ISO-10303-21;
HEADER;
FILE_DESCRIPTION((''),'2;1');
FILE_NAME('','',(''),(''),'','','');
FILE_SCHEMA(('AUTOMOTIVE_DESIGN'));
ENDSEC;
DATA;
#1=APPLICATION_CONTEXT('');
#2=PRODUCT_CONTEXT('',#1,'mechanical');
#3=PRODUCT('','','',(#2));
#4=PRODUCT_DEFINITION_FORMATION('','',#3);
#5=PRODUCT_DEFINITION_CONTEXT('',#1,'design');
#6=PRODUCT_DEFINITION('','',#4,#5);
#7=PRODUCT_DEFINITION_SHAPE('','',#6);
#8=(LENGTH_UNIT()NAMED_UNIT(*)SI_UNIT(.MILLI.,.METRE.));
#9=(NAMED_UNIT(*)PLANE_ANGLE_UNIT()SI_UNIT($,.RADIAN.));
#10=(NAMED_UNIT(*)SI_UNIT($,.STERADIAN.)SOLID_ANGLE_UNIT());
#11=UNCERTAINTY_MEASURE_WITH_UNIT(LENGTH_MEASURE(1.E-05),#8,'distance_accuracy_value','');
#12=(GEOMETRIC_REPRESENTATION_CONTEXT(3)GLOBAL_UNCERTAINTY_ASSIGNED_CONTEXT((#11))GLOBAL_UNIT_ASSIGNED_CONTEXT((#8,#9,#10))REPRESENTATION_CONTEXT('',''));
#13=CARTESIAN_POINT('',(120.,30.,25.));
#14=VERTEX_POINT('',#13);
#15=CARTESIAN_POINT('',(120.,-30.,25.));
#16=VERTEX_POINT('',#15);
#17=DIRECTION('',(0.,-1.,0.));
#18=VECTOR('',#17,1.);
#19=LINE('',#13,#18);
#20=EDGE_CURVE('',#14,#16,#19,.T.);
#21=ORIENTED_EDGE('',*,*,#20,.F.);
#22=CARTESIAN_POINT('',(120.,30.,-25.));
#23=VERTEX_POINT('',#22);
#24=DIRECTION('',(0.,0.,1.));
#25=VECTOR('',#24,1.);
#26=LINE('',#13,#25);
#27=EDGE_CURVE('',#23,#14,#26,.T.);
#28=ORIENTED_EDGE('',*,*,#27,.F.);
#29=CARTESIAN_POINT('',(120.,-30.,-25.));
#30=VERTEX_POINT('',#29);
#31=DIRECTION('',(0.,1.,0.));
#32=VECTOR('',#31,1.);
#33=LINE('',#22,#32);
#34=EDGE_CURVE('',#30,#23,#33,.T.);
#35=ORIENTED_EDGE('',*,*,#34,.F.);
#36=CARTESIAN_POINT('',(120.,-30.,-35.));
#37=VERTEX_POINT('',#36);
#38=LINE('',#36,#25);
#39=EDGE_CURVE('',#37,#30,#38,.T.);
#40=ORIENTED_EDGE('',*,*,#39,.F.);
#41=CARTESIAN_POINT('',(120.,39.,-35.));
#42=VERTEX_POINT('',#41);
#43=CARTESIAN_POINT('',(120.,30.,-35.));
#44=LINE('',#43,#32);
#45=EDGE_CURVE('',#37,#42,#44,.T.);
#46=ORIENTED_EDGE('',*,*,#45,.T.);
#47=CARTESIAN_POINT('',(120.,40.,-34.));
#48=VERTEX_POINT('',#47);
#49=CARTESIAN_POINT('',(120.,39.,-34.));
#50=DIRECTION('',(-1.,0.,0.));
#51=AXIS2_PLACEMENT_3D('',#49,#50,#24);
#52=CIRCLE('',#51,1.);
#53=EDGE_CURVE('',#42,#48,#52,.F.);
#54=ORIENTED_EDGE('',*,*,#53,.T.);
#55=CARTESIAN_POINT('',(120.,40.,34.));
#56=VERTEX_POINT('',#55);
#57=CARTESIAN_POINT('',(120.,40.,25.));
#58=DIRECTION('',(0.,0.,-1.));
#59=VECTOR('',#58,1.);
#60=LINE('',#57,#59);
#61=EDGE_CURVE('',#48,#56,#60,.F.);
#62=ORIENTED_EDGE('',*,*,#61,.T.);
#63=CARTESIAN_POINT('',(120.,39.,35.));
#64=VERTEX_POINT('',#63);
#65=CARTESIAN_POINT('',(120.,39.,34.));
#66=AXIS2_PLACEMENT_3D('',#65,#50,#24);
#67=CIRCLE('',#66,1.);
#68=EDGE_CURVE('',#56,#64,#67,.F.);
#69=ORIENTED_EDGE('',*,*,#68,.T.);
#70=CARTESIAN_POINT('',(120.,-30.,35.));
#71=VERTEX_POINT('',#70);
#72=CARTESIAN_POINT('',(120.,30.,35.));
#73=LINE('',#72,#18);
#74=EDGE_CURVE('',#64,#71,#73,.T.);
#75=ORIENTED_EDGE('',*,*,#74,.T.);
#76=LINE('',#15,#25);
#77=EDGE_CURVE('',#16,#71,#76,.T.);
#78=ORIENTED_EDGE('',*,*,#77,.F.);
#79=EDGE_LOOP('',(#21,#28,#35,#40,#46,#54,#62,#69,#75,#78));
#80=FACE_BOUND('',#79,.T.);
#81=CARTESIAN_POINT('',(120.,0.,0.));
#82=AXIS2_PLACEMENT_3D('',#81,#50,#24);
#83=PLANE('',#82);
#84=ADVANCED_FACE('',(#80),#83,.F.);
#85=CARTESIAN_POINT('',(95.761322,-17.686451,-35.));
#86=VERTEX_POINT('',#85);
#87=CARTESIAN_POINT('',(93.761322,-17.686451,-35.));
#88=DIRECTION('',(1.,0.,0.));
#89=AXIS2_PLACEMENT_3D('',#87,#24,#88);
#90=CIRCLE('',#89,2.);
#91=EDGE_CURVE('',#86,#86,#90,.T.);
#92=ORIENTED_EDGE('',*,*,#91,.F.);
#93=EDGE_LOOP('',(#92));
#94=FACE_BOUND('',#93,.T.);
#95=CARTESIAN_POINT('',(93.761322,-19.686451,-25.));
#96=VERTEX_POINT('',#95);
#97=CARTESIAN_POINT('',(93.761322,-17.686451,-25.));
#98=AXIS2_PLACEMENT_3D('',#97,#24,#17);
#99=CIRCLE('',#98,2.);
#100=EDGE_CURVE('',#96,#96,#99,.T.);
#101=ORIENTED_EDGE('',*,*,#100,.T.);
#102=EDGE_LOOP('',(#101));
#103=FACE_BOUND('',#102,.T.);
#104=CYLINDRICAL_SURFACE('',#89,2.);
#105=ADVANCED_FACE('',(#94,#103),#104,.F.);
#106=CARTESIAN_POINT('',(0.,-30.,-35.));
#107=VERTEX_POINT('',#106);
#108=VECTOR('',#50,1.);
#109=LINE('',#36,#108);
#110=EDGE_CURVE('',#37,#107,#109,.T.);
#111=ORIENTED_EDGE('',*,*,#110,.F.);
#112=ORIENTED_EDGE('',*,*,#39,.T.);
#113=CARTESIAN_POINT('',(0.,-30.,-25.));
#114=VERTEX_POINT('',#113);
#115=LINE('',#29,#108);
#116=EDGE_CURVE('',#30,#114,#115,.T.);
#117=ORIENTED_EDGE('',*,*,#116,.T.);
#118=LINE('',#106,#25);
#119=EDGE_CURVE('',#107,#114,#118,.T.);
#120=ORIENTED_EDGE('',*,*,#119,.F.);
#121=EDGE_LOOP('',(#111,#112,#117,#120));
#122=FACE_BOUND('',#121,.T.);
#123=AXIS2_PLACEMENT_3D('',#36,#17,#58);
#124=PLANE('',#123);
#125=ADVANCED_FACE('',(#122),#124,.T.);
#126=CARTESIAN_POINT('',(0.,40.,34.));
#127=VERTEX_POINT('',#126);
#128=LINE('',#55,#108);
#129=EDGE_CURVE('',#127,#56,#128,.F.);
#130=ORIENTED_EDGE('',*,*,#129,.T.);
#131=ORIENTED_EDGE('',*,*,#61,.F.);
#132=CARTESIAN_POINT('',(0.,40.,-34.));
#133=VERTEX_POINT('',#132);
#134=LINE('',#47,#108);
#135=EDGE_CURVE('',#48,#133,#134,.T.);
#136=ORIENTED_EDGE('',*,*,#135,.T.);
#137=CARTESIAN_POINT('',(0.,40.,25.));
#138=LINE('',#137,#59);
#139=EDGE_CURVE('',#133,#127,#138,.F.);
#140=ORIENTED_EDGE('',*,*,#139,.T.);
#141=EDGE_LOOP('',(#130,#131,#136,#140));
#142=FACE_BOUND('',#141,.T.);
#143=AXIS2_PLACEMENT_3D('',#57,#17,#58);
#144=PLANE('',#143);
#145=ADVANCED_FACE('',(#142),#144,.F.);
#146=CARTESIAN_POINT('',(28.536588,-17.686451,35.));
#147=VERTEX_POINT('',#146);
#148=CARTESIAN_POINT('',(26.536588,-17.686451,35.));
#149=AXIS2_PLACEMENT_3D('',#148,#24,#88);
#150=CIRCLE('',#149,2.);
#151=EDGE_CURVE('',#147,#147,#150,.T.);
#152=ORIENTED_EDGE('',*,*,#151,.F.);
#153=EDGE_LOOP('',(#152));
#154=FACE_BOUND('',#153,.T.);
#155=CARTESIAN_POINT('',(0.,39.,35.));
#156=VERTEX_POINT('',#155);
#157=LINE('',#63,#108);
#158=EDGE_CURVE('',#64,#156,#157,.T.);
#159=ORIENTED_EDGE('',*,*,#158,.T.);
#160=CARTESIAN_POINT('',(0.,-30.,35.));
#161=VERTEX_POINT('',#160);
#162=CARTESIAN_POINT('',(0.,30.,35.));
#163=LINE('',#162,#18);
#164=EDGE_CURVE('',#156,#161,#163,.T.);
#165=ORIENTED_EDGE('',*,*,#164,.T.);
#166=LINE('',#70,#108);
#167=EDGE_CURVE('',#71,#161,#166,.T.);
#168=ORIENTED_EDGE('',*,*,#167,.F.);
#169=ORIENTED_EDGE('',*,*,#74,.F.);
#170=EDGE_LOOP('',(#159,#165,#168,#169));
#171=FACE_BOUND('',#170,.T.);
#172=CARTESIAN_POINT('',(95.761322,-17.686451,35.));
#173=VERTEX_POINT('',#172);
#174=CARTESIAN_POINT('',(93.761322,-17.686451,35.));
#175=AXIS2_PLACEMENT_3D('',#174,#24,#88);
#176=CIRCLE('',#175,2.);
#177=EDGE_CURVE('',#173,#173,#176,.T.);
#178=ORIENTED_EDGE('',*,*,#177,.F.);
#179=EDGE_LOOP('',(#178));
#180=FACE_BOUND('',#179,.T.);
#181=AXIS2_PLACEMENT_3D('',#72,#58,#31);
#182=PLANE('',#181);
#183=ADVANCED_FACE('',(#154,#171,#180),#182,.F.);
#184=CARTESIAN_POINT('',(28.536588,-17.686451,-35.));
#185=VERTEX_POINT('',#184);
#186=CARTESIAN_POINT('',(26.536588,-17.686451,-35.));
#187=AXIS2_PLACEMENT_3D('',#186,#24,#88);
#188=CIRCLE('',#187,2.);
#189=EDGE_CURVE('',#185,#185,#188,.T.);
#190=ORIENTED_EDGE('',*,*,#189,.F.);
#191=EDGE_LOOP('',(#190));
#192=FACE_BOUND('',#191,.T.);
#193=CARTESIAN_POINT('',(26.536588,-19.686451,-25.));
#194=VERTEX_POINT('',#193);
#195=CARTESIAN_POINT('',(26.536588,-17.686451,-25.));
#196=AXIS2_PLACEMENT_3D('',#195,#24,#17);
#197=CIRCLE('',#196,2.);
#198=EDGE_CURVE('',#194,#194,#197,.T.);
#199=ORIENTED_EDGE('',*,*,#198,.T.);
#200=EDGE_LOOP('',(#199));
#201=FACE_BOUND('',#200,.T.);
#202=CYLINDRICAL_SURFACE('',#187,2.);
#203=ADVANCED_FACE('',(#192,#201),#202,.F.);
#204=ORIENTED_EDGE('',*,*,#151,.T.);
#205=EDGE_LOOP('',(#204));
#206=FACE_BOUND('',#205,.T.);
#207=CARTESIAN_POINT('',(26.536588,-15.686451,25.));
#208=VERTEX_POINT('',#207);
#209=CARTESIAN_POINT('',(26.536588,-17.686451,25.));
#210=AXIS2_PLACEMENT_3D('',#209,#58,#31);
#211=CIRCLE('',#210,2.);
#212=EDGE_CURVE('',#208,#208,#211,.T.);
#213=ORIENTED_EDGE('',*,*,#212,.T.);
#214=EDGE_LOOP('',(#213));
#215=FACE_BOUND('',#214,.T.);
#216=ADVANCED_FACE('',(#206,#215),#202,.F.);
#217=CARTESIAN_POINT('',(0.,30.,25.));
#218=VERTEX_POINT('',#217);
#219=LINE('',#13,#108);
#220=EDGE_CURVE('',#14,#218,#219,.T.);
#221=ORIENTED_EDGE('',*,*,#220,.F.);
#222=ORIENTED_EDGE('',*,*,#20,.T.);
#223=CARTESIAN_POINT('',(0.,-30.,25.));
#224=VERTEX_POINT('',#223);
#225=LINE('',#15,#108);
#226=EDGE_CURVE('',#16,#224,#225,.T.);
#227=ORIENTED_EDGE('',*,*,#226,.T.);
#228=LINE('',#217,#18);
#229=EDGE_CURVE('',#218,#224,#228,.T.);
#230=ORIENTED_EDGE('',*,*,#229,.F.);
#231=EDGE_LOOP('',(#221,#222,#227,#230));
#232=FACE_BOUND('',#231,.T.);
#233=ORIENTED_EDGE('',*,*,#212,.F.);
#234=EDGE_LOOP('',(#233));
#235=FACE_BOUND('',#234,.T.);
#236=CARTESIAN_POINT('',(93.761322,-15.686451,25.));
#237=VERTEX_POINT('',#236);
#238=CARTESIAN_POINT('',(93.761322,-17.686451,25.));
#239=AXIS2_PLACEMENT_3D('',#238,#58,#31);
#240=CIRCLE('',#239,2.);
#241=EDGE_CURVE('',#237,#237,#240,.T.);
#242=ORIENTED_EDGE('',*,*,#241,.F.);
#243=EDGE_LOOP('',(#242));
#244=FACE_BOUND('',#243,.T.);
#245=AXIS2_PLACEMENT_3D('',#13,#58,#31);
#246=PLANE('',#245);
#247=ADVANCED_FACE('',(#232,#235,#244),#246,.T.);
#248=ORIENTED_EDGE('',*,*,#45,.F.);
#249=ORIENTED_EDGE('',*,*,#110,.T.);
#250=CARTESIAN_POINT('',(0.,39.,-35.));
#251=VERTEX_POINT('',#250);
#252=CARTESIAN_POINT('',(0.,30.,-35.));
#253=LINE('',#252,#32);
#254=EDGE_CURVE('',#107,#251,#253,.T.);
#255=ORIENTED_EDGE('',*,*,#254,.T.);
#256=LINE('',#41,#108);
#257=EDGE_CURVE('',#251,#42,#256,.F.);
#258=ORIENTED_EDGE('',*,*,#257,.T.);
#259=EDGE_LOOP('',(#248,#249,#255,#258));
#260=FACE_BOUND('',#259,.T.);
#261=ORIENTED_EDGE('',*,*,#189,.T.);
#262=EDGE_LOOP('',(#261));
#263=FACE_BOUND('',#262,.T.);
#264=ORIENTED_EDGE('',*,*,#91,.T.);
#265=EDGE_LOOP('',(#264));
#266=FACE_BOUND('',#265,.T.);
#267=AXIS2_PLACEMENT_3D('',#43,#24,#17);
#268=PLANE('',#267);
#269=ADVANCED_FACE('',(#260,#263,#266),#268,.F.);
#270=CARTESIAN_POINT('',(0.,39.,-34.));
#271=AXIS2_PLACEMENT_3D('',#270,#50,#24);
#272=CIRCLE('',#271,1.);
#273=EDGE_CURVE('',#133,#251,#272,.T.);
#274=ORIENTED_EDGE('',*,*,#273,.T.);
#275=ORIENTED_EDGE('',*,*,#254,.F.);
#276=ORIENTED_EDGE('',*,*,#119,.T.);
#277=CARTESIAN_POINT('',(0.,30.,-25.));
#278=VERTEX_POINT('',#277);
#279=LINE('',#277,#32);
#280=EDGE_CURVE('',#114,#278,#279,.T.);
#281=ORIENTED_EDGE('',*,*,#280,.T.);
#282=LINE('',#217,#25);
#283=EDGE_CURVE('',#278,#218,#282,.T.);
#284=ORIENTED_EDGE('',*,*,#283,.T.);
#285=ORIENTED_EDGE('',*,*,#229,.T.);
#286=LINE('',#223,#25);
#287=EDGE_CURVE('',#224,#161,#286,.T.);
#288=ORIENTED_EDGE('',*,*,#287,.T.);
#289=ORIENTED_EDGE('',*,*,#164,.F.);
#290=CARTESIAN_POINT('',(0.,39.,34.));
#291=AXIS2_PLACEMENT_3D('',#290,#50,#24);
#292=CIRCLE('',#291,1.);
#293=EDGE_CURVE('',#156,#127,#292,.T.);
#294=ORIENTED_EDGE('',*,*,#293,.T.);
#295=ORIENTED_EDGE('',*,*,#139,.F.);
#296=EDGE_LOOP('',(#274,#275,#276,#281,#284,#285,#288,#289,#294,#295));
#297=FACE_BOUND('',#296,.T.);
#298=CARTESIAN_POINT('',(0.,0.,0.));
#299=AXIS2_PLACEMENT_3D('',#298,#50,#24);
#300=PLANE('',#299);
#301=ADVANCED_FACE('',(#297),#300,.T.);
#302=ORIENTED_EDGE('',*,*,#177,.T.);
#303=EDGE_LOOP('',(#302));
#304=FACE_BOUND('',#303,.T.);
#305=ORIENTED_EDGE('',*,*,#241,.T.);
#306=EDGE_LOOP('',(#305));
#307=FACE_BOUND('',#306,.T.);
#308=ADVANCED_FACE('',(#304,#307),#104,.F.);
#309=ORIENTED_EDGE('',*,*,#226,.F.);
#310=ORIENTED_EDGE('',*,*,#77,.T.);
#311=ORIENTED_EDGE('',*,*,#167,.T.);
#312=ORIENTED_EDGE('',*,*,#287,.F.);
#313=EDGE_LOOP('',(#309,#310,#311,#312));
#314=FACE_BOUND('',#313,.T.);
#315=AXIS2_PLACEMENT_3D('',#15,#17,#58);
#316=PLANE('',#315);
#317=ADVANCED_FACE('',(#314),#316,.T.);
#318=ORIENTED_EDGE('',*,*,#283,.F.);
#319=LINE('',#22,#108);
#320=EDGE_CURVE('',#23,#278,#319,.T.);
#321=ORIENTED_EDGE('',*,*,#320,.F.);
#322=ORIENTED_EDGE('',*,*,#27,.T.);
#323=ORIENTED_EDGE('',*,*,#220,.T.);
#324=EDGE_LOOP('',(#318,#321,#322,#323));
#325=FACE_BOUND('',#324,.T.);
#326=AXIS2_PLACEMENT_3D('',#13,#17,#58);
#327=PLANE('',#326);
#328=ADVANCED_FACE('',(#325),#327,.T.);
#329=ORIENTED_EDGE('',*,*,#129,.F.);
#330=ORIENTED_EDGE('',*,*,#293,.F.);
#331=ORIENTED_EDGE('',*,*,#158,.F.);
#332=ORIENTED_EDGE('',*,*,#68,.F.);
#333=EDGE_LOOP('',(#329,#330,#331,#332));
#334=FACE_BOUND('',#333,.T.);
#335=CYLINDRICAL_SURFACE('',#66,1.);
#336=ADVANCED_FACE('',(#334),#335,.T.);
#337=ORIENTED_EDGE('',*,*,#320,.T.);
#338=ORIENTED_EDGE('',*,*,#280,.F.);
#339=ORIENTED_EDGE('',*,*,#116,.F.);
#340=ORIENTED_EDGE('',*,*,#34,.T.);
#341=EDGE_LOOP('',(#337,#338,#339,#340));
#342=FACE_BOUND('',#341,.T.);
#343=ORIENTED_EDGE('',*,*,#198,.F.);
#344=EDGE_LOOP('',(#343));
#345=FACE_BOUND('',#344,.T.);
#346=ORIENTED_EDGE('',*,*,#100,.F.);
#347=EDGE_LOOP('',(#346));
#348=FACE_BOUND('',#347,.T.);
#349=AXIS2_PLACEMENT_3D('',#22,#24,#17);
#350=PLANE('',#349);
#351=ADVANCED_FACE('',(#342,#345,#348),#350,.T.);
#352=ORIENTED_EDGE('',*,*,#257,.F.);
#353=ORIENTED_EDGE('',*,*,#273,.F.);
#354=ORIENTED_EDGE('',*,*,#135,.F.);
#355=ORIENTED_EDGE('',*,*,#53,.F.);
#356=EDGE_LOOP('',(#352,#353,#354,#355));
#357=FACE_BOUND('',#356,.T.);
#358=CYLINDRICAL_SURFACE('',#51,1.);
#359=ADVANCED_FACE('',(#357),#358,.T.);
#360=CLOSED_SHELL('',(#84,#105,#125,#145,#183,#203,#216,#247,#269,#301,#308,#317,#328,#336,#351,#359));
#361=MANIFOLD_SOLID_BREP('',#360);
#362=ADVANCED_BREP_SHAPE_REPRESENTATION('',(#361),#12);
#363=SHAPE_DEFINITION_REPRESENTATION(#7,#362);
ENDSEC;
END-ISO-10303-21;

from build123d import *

# Parameters (mm, degrees)
EXTRUDE_THIN1_DEPTH = 120
SKETCH5_R           = 2
CUT_EXTRUDE1_DEPTH  = 145.568322948
FILLET1_R           = 1


with BuildPart() as part:
    # Sketch3 → Extrude-Thin1 (new body)
    with BuildSketch(Plane(origin=(0, 0, 0), x_dir=(0, 0, -1), z_dir=(1, 0, 0))):
        Polygon((-25, -30), (-25, 30), (25, 30), (25, -30), (35, -30), (35, 40), (-35, 40), (-35, -30), align=None)
    extrude(amount=EXTRUDE_THIN1_DEPTH)

    # Sketch5 → Cut-Extrude1 (cut, through all)
    with BuildSketch(Plane.XY.offset(35)):
        with Locations((26.536588231, -17.686450881)):
            Circle(SKETCH5_R)
        with Locations((93.76132228, -17.686450881)):
            Circle(SKETCH5_R)
    extrude(amount=-CUT_EXTRUDE1_DEPTH, mode=Mode.SUBTRACT)

    # Fillet1
    fillet1_edges = [part.edges().sort_by_distance(p)[0] for p in [
        (60, 40, 35),
        (60, 40, -35),
    ]]
    fillet(fillet1_edges, radius=FILLET1_R)


solid = part.part
